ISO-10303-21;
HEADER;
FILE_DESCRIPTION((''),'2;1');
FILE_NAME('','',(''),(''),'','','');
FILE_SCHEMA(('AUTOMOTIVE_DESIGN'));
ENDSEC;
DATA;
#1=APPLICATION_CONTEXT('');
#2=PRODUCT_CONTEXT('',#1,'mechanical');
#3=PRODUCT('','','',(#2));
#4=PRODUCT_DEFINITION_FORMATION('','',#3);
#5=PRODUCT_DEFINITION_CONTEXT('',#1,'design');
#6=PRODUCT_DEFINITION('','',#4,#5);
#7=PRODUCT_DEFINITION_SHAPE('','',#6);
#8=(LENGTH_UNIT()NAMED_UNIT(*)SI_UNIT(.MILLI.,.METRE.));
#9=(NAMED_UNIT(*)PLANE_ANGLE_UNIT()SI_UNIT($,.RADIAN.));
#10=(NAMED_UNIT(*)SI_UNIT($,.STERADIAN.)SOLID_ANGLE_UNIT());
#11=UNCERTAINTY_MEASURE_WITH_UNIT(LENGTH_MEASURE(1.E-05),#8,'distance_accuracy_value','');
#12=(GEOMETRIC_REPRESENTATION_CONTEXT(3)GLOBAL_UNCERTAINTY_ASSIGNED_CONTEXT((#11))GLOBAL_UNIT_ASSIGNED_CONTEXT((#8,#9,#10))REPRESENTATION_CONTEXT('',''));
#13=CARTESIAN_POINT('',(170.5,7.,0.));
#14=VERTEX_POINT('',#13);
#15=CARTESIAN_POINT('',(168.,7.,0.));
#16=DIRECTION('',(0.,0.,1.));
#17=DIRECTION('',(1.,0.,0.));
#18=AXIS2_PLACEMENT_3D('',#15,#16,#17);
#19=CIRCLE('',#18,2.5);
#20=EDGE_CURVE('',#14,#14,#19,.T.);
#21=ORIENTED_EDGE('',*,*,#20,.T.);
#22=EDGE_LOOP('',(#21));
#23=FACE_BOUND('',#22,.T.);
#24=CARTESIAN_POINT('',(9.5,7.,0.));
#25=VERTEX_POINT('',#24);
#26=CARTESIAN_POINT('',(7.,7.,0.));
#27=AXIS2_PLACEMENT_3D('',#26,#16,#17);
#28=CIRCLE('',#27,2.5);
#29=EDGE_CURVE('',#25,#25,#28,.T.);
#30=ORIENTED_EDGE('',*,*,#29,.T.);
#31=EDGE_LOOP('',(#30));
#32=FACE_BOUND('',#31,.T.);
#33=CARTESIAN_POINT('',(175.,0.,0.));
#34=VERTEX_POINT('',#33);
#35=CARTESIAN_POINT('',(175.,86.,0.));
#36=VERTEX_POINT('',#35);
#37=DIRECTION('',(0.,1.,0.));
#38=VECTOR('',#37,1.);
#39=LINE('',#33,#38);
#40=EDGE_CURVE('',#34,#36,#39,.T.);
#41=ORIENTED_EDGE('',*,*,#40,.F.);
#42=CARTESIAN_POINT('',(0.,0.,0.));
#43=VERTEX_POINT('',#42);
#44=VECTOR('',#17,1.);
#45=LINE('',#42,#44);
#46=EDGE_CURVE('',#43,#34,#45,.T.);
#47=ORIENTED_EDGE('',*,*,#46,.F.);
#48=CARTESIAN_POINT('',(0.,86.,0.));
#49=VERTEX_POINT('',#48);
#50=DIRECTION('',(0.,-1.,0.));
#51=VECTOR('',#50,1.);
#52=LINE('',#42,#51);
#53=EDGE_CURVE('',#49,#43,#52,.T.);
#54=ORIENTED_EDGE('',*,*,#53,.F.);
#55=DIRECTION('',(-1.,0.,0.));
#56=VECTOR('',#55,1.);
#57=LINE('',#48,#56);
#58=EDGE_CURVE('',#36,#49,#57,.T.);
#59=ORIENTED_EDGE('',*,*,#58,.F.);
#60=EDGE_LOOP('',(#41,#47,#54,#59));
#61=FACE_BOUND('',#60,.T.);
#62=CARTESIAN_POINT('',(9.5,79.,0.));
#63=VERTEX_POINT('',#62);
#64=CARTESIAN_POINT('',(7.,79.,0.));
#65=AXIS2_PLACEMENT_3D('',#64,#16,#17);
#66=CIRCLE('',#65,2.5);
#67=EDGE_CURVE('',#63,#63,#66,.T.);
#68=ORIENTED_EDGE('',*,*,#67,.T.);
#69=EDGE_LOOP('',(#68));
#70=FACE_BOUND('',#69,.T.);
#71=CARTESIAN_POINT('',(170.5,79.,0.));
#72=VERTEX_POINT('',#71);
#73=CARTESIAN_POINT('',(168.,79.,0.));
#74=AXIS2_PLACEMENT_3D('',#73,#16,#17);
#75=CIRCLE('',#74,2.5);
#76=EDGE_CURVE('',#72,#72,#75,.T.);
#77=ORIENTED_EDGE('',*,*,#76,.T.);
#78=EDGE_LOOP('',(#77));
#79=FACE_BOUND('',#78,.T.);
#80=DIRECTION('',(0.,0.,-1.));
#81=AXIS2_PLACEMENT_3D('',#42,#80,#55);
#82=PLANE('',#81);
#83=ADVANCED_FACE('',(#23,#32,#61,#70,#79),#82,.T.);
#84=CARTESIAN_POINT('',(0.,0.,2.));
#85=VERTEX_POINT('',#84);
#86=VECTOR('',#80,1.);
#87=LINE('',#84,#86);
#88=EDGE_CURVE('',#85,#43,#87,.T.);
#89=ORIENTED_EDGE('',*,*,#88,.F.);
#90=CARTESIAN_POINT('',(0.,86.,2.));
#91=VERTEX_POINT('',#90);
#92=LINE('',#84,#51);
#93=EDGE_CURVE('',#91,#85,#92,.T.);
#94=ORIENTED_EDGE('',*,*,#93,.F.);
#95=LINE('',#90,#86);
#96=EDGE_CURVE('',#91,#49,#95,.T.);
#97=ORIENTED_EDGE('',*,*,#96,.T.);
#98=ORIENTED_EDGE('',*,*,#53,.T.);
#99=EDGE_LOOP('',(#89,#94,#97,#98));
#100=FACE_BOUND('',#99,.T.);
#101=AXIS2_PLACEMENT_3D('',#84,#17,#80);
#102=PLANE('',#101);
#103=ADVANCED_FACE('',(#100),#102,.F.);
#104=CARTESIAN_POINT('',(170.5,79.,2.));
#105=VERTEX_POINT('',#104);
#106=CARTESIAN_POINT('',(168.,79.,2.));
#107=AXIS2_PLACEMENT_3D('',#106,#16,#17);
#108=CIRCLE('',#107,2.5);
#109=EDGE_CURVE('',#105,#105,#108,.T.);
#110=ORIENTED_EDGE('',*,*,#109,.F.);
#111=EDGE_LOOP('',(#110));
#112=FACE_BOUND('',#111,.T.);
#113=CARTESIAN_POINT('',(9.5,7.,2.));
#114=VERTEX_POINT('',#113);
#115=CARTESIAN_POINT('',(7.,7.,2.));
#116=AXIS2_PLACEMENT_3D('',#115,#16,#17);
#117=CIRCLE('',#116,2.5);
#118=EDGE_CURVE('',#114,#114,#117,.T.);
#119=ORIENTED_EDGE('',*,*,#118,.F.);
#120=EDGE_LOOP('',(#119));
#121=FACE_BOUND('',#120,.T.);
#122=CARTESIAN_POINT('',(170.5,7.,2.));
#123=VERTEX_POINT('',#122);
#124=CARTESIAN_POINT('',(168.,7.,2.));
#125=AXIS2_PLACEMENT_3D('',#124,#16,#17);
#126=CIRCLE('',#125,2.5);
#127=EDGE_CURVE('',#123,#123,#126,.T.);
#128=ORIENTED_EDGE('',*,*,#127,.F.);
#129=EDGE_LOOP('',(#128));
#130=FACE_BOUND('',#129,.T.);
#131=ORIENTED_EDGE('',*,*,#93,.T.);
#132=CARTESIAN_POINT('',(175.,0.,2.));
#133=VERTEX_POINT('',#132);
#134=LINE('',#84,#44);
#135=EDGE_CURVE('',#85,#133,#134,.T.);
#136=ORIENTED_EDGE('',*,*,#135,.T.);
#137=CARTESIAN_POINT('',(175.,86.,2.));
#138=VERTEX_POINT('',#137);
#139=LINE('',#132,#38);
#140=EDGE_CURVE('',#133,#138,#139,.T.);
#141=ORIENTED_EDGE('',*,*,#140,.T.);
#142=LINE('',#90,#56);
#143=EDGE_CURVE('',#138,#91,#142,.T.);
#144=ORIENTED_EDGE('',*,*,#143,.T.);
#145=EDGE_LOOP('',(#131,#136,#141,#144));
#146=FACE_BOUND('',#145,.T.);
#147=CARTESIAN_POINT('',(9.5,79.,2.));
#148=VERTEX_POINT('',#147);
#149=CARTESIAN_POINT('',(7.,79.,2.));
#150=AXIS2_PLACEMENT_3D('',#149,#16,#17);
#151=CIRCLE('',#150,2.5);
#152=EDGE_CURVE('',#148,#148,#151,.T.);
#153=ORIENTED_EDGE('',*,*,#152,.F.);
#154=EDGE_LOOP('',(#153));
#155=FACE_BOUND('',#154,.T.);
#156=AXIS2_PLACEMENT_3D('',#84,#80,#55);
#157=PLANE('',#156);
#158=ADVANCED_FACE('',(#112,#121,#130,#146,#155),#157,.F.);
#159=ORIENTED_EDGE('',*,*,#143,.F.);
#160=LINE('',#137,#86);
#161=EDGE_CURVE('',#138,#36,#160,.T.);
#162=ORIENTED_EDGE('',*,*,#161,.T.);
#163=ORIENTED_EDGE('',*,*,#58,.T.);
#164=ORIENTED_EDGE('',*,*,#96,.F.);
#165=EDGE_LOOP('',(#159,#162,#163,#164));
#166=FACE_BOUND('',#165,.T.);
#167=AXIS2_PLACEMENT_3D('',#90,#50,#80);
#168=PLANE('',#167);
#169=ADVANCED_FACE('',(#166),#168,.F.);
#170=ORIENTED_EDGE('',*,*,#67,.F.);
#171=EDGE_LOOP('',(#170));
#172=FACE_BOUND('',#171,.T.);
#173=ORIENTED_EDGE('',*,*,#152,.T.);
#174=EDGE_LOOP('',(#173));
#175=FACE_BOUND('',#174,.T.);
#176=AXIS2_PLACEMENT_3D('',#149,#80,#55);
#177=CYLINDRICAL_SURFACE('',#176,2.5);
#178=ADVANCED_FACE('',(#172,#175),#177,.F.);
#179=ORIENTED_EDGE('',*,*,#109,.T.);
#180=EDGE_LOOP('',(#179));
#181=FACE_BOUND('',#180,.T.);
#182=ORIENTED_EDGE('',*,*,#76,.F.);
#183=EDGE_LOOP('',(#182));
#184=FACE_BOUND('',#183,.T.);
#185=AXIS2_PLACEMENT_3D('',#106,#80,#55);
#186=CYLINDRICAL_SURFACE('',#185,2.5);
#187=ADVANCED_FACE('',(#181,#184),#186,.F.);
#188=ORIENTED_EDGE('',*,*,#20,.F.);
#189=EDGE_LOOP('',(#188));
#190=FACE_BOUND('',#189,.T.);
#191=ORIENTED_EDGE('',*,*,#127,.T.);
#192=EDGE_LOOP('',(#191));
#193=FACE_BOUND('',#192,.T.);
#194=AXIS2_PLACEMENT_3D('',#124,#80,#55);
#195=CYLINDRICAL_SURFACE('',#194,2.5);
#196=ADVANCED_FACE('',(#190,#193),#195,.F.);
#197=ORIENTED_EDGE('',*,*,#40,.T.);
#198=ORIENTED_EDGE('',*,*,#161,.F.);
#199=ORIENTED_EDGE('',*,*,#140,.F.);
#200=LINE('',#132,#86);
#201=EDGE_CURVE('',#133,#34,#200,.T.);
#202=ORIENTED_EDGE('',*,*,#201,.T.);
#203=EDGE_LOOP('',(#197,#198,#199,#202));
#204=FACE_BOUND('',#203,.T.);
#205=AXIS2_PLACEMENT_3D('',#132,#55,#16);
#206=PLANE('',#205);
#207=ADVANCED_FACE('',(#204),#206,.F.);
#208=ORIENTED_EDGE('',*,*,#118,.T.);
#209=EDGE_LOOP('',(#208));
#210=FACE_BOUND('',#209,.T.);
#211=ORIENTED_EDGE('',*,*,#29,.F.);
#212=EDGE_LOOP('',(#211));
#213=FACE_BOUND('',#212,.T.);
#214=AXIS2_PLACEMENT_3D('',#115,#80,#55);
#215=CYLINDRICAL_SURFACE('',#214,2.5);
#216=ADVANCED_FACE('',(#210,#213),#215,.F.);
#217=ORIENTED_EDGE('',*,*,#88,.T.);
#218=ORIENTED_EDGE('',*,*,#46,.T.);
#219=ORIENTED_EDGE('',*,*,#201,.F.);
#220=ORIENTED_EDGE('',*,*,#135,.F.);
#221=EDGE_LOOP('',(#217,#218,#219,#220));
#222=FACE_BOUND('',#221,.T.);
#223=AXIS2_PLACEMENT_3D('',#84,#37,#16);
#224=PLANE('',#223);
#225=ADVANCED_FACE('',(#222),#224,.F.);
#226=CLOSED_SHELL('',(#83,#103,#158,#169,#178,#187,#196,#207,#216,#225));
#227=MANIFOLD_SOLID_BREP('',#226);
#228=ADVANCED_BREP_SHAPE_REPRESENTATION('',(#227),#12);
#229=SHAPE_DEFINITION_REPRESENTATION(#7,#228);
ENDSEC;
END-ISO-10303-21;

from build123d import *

# Parameters (mm, degrees)
IZIM1_W                     = 175
IZIM1_H                     = 86
IZIM1_R                     = 2.5
Y_KSEKLIK_EKSTR_ZYON1_DEPTH = 2


with BuildPart() as part:
    # Çizim1 → Yükseklik-Ekstrüzyon1 (new body)
    with BuildSketch(Plane.XY):
        with Locations((87.5, 43)):
            Rectangle(IZIM1_W, IZIM1_H)
        with Locations((7, 79)):
            Circle(IZIM1_R, mode=Mode.SUBTRACT)
        with Locations((168, 79)):
            Circle(IZIM1_R, mode=Mode.SUBTRACT)
        with Locations((7, 7)):
            Circle(IZIM1_R, mode=Mode.SUBTRACT)
        with Locations((168, 7)):
            Circle(IZIM1_R, mode=Mode.SUBTRACT)
    extrude(amount=Y_KSEKLIK_EKSTR_ZYON1_DEPTH)


solid = part.part
